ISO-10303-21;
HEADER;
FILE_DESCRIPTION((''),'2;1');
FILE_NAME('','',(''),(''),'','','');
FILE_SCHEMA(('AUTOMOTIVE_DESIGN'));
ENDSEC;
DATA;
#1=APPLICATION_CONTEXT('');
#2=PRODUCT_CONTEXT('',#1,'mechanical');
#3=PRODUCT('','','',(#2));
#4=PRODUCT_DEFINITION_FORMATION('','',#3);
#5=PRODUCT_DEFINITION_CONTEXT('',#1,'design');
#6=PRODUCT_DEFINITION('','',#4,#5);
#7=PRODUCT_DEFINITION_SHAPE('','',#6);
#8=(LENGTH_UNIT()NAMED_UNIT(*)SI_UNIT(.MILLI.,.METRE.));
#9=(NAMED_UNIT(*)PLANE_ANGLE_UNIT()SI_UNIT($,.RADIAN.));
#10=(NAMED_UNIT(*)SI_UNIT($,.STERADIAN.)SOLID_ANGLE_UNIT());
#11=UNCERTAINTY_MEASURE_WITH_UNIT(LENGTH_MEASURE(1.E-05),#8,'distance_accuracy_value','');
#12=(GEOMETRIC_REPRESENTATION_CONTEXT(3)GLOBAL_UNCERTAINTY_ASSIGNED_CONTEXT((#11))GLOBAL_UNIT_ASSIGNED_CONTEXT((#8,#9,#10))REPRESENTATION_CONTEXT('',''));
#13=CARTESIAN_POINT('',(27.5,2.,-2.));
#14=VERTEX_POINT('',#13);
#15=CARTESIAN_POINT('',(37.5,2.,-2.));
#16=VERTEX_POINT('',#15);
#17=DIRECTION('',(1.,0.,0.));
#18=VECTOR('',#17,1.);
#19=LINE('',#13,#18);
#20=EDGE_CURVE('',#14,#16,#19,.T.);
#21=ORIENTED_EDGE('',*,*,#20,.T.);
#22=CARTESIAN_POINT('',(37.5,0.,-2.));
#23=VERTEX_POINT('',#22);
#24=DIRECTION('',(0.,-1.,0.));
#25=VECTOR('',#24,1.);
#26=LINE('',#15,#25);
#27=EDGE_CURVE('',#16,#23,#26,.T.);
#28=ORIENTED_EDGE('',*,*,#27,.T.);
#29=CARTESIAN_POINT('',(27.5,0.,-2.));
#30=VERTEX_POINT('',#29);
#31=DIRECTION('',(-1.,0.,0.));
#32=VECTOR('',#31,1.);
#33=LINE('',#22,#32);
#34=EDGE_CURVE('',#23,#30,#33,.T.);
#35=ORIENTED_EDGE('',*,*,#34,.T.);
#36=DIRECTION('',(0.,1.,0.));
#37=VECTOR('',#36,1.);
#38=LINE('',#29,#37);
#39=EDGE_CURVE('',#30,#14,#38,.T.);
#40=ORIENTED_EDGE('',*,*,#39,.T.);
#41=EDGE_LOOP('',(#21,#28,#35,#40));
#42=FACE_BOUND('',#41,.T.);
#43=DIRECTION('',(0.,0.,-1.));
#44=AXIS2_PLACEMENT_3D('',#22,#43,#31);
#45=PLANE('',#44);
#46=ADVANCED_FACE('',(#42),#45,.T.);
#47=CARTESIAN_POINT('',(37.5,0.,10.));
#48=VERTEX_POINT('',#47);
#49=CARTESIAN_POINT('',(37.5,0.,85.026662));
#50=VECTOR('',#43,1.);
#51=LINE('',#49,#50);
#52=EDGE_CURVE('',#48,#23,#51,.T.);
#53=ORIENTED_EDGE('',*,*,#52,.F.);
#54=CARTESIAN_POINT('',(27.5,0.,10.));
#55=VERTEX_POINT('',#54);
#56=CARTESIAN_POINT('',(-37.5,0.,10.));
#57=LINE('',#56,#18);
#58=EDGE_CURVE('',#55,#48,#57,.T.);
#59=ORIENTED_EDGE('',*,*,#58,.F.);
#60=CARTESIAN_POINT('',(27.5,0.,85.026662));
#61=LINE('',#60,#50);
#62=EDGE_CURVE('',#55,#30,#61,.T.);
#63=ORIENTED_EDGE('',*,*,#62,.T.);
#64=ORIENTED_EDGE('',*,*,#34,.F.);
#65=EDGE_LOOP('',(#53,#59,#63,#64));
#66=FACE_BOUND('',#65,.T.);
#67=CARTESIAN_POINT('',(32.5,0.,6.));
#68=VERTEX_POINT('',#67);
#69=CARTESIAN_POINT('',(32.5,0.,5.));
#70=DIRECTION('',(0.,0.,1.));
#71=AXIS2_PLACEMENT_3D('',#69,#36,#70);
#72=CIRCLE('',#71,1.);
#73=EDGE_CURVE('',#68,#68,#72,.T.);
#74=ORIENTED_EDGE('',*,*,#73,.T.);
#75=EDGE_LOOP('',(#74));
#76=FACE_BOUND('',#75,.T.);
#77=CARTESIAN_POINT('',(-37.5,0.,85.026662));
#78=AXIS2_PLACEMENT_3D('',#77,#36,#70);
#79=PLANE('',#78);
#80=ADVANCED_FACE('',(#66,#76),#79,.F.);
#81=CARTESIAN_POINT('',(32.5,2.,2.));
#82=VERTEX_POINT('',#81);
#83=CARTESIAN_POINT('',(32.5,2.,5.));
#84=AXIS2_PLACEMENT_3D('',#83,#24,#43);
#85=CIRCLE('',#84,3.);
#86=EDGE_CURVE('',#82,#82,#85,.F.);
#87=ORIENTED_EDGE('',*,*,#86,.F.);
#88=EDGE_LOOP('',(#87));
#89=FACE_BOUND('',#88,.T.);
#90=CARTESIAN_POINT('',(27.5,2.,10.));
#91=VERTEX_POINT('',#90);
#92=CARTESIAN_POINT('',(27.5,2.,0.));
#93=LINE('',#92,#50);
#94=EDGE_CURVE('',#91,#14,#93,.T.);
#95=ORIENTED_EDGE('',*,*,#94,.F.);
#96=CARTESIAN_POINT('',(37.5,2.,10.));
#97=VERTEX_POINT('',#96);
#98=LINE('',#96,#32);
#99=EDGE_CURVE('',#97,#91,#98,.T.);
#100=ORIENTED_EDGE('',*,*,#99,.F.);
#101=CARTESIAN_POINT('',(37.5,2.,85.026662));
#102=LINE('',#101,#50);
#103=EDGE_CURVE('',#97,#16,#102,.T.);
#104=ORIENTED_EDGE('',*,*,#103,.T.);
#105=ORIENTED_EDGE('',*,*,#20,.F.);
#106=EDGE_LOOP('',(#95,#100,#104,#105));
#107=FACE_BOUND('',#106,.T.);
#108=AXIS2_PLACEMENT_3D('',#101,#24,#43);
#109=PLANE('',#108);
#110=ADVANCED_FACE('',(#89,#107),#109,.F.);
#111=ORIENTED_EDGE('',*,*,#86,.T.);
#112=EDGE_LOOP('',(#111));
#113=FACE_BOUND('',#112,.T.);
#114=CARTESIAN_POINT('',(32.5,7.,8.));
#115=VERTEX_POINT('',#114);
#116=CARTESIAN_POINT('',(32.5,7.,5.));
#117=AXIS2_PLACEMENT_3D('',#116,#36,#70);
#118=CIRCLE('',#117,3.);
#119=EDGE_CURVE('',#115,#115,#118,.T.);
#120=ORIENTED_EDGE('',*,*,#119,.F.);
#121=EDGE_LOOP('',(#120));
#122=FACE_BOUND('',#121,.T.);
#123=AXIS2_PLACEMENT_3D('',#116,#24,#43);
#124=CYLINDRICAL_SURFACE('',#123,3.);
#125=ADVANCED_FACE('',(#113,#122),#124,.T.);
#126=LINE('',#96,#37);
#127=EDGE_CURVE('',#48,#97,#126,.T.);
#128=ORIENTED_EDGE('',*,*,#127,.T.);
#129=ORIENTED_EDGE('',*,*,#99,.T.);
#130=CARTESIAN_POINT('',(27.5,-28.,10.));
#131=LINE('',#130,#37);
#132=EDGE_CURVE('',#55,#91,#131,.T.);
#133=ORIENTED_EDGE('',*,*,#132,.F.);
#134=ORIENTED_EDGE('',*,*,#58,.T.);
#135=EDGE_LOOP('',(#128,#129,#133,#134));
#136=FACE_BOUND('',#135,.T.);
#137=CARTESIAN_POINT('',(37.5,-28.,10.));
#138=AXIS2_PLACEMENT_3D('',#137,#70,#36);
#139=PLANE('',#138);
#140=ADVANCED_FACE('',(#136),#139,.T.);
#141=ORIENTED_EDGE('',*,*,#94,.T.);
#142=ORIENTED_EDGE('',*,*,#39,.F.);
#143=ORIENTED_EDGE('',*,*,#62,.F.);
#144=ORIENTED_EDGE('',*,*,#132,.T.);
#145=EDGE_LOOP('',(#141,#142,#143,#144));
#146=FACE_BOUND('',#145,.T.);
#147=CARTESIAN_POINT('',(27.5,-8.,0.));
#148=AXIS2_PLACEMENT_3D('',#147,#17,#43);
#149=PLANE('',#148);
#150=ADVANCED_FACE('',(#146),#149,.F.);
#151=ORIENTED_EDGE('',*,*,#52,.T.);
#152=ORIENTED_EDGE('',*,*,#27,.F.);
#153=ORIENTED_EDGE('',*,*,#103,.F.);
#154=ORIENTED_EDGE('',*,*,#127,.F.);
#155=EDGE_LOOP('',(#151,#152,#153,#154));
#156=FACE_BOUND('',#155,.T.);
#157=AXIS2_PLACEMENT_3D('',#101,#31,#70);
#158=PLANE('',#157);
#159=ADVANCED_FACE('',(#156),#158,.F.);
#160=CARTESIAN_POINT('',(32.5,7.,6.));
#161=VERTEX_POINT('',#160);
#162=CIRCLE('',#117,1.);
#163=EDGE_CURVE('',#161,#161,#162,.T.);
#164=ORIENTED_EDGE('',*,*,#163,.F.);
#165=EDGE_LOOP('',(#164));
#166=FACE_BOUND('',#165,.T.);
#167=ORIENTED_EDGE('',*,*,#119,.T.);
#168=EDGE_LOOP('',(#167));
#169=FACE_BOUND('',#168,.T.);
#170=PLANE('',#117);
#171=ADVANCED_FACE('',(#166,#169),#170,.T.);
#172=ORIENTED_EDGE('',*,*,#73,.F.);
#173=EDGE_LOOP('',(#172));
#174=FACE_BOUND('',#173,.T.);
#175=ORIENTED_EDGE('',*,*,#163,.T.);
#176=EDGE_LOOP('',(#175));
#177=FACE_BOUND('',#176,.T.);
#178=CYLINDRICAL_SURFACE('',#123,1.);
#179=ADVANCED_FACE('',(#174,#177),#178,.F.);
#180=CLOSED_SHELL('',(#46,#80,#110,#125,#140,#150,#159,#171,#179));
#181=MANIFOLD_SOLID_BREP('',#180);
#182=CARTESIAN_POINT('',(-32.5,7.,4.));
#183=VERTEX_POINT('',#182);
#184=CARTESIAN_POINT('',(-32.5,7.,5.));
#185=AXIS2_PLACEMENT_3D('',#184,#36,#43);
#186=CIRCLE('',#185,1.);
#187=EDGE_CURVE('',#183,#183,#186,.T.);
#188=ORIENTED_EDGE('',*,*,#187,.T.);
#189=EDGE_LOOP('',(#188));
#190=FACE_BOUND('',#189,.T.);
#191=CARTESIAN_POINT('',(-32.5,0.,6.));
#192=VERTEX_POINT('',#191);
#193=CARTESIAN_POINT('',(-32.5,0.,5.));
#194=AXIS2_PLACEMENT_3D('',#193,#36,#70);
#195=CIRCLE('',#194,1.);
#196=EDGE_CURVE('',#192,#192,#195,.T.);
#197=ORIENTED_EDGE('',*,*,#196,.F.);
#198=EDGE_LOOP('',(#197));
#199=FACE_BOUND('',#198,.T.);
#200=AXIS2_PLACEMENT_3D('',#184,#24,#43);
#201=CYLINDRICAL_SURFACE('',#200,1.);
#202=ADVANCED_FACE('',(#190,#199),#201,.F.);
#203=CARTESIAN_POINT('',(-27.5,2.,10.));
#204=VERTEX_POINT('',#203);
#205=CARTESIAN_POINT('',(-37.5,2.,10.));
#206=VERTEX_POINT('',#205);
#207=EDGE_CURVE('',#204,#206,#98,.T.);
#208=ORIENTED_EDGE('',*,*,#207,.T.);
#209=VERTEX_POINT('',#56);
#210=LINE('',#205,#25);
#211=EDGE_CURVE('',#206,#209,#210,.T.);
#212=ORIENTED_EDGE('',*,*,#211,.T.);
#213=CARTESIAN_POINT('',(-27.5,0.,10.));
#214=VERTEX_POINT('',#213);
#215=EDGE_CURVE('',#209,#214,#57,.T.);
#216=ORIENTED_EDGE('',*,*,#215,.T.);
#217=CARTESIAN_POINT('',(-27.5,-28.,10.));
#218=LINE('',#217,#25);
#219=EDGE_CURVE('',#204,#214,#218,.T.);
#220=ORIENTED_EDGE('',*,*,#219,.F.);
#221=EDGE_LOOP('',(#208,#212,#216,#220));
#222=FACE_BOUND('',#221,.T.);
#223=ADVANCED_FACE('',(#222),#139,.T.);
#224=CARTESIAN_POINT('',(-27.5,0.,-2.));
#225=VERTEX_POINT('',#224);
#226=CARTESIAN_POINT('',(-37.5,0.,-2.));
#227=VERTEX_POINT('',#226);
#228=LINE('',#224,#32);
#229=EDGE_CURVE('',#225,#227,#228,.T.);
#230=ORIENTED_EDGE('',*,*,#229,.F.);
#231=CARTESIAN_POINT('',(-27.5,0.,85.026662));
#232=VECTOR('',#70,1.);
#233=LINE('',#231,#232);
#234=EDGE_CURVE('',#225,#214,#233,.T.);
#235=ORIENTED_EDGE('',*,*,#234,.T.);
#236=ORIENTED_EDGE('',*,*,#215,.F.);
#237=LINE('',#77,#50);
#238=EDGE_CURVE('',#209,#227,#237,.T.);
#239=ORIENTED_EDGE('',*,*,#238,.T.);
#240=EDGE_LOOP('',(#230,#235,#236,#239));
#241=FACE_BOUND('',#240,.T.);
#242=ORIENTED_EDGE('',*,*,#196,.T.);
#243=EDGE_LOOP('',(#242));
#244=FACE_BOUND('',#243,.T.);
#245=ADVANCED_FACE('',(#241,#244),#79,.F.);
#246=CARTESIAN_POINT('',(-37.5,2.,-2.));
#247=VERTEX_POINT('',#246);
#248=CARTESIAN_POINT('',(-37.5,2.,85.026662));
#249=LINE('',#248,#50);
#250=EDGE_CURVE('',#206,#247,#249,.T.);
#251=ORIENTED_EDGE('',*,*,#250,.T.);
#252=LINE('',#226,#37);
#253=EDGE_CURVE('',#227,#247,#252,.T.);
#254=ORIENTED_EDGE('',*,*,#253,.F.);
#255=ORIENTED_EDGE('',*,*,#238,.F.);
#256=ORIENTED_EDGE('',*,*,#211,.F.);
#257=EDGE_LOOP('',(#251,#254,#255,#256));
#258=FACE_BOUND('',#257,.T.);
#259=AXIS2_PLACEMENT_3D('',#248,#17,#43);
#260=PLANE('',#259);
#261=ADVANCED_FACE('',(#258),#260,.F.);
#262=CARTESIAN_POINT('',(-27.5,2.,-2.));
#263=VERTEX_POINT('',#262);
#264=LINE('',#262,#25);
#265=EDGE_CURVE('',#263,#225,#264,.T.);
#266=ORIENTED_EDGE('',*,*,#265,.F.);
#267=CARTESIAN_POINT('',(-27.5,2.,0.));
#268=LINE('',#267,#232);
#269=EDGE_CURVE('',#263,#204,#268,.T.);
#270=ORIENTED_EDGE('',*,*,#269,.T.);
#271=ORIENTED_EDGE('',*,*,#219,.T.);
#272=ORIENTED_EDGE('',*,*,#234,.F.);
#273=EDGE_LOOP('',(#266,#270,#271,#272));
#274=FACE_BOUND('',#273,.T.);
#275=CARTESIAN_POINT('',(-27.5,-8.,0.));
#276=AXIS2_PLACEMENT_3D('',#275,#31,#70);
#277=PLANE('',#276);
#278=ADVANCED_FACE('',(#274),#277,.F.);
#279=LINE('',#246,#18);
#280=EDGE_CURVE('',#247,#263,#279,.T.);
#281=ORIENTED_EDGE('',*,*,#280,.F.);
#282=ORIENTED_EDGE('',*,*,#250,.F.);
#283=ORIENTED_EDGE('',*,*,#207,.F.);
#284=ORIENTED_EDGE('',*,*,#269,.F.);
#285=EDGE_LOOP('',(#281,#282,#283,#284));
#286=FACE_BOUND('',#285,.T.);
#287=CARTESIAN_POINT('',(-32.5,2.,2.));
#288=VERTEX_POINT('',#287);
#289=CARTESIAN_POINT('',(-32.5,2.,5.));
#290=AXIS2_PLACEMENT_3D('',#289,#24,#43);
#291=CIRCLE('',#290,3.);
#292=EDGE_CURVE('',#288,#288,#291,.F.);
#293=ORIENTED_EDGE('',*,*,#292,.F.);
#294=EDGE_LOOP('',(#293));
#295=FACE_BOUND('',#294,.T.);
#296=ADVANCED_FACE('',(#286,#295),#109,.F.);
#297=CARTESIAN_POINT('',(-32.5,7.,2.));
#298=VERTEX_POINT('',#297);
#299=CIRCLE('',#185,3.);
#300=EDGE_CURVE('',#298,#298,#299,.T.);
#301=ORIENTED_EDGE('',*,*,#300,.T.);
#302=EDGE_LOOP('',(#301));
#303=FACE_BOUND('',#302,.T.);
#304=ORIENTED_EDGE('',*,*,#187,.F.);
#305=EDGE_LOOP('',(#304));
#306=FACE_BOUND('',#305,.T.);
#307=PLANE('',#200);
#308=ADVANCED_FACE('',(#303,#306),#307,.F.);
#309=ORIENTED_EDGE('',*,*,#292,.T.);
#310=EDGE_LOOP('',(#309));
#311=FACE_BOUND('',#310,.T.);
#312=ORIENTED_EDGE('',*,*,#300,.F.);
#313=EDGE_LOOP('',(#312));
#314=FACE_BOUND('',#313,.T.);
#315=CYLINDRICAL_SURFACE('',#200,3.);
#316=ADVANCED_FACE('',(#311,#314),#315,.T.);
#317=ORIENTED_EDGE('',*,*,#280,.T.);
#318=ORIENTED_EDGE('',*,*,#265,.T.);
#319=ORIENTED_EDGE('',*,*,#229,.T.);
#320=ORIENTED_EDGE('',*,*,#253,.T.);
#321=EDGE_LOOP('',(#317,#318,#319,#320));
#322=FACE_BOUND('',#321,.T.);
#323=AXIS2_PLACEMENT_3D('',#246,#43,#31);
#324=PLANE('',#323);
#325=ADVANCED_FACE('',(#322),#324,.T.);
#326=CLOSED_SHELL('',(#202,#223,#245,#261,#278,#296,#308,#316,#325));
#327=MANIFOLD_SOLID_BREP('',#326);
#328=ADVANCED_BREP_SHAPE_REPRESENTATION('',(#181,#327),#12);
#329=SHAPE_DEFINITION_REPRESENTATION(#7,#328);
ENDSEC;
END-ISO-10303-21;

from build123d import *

# Parameters (mm, degrees)
SKETCH1_W           = 75
SKETCH1_H           = 2
BOSS_EXTRUDE1_DEPTH = 10
SKETCH2_R           = 3
SKETCH2_R_2         = 1
BOSS_EXTRUDE2_DEPTH = 5
SKETCH3_R           = 1
CUT_EXTRUDE1_DEPTH  = 40.131189606
SKETCH4_W           = 55
SKETCH4_H           = 10
CUT_EXTRUDE2_DEPTH  = 10
SKETCH5_W           = 10
SKETCH5_H           = 2
BOSS_EXTRUDE3_DEPTH = 2
SKETCH6_W           = 10
SKETCH6_H           = 2
BOSS_EXTRUDE4_DEPTH = 2


with BuildPart() as part:
    # Sketch1 → Boss-Extrude1 (new body)
    with BuildSketch(Plane.XY):
        with Locations((0, 1)):
            Rectangle(SKETCH1_W, SKETCH1_H)
    extrude(amount=BOSS_EXTRUDE1_DEPTH)

    # Sketch2 → Boss-Extrude2 (add)
    # profile 1 of 2: a face of its own
    with BuildSketch(Plane(origin=(0, 2, 0), x_dir=(1, 0, 0), z_dir=(0, 1, 0))):
        with Locations(Location((32.5, -5, 0), (0, 0, 90))):
            Circle(SKETCH2_R)
        with Locations(Location((32.5, -5, 0), (0, 0, 270))):
            Circle(SKETCH2_R_2, mode=Mode.SUBTRACT)
    # profile 2 of 2: a face of its own
    with BuildSketch(Plane(origin=(0, 2, 0), x_dir=(1, 0, 0), z_dir=(0, 1, 0))):
        with Locations(Location((-32.5, -5, 0), (0, 0, 90))):
            Circle(SKETCH2_R)
        with Locations(Location((-32.5, -5, 0), (0, 0, 90))):
            Circle(SKETCH2_R_2, mode=Mode.SUBTRACT)
    extrude(amount=BOSS_EXTRUDE2_DEPTH)

    # Sketch3 → Cut-Extrude1 (cut, through all)
    with BuildSketch(Plane(origin=(0, 2, 0), x_dir=(1, 0, 0), z_dir=(0, 1, 0))):
        with Locations(Location((32.5, -5, 0), (0, 0, 270))):
            Circle(SKETCH3_R)
        with Locations(Location((-32.5, -5, 0), (0, 0, 90))):
            Circle(SKETCH3_R)
    extrude(amount=-CUT_EXTRUDE1_DEPTH, mode=Mode.SUBTRACT)

    # Sketch4 → Cut-Extrude2 (cut)
    with BuildSketch(Plane(origin=(0, 2, 0), x_dir=(1, 0, 0), z_dir=(0, 1, 0))):
        with Locations((0, -5)):
            Rectangle(SKETCH4_W, SKETCH4_H)
    extrude(amount=-CUT_EXTRUDE2_DEPTH, mode=Mode.SUBTRACT)


with BuildPart() as cut_extrude2_piece_1:
    # of the separate pieces the step leaves, piece 1, a body of its own (cut_extrude2_pieces)
    add(part.part.solids().sort_by_distance((27.5, 0, 0))[0])

    # Sketch5 → Boss-Extrude3 (add)
    with BuildSketch(Plane(origin=(0, 0, 0), x_dir=(-1, 0, 0), z_dir=(0, 0, -1))):
        with Locations((-32.5, 1)):
            Rectangle(SKETCH5_W, SKETCH5_H)
    extrude(amount=BOSS_EXTRUDE3_DEPTH)


with BuildPart() as cut_extrude2_piece_2:
    # of the separate pieces the step leaves, piece 2, a body of its own (cut_extrude2_pieces)
    add(part.part.solids().sort_by_distance((-37.5, 0, 0))[0])

    # Sketch6 → Boss-Extrude4 (add)
    with BuildSketch(Plane(origin=(0, 0, 0), x_dir=(-1, 0, 0), z_dir=(0, 0, -1))):
        with Locations((32.5, 1)):
            Rectangle(SKETCH6_W, SKETCH6_H)
    extrude(amount=BOSS_EXTRUDE4_DEPTH)


solid = Compound([cut_extrude2_piece_1.part, cut_extrude2_piece_2.part])
